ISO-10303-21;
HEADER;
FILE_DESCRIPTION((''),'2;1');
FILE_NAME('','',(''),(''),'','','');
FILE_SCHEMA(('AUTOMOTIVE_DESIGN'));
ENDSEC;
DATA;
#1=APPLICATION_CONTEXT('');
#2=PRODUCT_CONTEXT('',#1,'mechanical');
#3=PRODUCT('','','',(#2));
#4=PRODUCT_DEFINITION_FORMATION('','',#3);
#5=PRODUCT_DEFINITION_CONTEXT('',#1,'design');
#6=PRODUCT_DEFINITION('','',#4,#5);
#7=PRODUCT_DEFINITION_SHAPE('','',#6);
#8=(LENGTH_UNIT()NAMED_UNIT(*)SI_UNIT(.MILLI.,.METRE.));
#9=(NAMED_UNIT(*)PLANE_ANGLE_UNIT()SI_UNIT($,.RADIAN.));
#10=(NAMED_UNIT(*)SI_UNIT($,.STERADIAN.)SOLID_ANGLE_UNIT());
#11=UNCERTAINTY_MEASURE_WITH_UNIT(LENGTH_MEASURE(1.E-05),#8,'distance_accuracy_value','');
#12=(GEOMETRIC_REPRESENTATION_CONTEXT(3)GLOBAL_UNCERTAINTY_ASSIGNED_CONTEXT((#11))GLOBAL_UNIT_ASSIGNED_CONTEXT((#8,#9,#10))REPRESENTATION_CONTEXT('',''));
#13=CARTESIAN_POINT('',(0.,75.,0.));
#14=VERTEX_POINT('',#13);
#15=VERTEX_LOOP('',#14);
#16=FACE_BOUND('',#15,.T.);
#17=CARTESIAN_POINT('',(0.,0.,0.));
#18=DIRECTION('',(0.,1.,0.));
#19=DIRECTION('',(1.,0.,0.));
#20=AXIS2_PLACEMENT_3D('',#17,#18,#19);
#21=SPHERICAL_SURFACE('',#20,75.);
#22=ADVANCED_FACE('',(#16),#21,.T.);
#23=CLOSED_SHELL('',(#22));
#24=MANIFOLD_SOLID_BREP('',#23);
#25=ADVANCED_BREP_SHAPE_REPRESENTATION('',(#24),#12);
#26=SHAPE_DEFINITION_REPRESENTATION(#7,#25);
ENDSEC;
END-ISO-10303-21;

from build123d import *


with BuildPart() as part:
    # Schizzo1 → Rivoluzione2 (revolve)
    with BuildSketch(Plane.XY):
        with BuildLine():
            Line((0, 75), (0, -75))
            ThreePointArc((0, -75), (-75, 0), (0, 75))
        make_face()
    revolve(axis=Axis((0, 75, 0), (0, -1, 0)))


solid = part.part
